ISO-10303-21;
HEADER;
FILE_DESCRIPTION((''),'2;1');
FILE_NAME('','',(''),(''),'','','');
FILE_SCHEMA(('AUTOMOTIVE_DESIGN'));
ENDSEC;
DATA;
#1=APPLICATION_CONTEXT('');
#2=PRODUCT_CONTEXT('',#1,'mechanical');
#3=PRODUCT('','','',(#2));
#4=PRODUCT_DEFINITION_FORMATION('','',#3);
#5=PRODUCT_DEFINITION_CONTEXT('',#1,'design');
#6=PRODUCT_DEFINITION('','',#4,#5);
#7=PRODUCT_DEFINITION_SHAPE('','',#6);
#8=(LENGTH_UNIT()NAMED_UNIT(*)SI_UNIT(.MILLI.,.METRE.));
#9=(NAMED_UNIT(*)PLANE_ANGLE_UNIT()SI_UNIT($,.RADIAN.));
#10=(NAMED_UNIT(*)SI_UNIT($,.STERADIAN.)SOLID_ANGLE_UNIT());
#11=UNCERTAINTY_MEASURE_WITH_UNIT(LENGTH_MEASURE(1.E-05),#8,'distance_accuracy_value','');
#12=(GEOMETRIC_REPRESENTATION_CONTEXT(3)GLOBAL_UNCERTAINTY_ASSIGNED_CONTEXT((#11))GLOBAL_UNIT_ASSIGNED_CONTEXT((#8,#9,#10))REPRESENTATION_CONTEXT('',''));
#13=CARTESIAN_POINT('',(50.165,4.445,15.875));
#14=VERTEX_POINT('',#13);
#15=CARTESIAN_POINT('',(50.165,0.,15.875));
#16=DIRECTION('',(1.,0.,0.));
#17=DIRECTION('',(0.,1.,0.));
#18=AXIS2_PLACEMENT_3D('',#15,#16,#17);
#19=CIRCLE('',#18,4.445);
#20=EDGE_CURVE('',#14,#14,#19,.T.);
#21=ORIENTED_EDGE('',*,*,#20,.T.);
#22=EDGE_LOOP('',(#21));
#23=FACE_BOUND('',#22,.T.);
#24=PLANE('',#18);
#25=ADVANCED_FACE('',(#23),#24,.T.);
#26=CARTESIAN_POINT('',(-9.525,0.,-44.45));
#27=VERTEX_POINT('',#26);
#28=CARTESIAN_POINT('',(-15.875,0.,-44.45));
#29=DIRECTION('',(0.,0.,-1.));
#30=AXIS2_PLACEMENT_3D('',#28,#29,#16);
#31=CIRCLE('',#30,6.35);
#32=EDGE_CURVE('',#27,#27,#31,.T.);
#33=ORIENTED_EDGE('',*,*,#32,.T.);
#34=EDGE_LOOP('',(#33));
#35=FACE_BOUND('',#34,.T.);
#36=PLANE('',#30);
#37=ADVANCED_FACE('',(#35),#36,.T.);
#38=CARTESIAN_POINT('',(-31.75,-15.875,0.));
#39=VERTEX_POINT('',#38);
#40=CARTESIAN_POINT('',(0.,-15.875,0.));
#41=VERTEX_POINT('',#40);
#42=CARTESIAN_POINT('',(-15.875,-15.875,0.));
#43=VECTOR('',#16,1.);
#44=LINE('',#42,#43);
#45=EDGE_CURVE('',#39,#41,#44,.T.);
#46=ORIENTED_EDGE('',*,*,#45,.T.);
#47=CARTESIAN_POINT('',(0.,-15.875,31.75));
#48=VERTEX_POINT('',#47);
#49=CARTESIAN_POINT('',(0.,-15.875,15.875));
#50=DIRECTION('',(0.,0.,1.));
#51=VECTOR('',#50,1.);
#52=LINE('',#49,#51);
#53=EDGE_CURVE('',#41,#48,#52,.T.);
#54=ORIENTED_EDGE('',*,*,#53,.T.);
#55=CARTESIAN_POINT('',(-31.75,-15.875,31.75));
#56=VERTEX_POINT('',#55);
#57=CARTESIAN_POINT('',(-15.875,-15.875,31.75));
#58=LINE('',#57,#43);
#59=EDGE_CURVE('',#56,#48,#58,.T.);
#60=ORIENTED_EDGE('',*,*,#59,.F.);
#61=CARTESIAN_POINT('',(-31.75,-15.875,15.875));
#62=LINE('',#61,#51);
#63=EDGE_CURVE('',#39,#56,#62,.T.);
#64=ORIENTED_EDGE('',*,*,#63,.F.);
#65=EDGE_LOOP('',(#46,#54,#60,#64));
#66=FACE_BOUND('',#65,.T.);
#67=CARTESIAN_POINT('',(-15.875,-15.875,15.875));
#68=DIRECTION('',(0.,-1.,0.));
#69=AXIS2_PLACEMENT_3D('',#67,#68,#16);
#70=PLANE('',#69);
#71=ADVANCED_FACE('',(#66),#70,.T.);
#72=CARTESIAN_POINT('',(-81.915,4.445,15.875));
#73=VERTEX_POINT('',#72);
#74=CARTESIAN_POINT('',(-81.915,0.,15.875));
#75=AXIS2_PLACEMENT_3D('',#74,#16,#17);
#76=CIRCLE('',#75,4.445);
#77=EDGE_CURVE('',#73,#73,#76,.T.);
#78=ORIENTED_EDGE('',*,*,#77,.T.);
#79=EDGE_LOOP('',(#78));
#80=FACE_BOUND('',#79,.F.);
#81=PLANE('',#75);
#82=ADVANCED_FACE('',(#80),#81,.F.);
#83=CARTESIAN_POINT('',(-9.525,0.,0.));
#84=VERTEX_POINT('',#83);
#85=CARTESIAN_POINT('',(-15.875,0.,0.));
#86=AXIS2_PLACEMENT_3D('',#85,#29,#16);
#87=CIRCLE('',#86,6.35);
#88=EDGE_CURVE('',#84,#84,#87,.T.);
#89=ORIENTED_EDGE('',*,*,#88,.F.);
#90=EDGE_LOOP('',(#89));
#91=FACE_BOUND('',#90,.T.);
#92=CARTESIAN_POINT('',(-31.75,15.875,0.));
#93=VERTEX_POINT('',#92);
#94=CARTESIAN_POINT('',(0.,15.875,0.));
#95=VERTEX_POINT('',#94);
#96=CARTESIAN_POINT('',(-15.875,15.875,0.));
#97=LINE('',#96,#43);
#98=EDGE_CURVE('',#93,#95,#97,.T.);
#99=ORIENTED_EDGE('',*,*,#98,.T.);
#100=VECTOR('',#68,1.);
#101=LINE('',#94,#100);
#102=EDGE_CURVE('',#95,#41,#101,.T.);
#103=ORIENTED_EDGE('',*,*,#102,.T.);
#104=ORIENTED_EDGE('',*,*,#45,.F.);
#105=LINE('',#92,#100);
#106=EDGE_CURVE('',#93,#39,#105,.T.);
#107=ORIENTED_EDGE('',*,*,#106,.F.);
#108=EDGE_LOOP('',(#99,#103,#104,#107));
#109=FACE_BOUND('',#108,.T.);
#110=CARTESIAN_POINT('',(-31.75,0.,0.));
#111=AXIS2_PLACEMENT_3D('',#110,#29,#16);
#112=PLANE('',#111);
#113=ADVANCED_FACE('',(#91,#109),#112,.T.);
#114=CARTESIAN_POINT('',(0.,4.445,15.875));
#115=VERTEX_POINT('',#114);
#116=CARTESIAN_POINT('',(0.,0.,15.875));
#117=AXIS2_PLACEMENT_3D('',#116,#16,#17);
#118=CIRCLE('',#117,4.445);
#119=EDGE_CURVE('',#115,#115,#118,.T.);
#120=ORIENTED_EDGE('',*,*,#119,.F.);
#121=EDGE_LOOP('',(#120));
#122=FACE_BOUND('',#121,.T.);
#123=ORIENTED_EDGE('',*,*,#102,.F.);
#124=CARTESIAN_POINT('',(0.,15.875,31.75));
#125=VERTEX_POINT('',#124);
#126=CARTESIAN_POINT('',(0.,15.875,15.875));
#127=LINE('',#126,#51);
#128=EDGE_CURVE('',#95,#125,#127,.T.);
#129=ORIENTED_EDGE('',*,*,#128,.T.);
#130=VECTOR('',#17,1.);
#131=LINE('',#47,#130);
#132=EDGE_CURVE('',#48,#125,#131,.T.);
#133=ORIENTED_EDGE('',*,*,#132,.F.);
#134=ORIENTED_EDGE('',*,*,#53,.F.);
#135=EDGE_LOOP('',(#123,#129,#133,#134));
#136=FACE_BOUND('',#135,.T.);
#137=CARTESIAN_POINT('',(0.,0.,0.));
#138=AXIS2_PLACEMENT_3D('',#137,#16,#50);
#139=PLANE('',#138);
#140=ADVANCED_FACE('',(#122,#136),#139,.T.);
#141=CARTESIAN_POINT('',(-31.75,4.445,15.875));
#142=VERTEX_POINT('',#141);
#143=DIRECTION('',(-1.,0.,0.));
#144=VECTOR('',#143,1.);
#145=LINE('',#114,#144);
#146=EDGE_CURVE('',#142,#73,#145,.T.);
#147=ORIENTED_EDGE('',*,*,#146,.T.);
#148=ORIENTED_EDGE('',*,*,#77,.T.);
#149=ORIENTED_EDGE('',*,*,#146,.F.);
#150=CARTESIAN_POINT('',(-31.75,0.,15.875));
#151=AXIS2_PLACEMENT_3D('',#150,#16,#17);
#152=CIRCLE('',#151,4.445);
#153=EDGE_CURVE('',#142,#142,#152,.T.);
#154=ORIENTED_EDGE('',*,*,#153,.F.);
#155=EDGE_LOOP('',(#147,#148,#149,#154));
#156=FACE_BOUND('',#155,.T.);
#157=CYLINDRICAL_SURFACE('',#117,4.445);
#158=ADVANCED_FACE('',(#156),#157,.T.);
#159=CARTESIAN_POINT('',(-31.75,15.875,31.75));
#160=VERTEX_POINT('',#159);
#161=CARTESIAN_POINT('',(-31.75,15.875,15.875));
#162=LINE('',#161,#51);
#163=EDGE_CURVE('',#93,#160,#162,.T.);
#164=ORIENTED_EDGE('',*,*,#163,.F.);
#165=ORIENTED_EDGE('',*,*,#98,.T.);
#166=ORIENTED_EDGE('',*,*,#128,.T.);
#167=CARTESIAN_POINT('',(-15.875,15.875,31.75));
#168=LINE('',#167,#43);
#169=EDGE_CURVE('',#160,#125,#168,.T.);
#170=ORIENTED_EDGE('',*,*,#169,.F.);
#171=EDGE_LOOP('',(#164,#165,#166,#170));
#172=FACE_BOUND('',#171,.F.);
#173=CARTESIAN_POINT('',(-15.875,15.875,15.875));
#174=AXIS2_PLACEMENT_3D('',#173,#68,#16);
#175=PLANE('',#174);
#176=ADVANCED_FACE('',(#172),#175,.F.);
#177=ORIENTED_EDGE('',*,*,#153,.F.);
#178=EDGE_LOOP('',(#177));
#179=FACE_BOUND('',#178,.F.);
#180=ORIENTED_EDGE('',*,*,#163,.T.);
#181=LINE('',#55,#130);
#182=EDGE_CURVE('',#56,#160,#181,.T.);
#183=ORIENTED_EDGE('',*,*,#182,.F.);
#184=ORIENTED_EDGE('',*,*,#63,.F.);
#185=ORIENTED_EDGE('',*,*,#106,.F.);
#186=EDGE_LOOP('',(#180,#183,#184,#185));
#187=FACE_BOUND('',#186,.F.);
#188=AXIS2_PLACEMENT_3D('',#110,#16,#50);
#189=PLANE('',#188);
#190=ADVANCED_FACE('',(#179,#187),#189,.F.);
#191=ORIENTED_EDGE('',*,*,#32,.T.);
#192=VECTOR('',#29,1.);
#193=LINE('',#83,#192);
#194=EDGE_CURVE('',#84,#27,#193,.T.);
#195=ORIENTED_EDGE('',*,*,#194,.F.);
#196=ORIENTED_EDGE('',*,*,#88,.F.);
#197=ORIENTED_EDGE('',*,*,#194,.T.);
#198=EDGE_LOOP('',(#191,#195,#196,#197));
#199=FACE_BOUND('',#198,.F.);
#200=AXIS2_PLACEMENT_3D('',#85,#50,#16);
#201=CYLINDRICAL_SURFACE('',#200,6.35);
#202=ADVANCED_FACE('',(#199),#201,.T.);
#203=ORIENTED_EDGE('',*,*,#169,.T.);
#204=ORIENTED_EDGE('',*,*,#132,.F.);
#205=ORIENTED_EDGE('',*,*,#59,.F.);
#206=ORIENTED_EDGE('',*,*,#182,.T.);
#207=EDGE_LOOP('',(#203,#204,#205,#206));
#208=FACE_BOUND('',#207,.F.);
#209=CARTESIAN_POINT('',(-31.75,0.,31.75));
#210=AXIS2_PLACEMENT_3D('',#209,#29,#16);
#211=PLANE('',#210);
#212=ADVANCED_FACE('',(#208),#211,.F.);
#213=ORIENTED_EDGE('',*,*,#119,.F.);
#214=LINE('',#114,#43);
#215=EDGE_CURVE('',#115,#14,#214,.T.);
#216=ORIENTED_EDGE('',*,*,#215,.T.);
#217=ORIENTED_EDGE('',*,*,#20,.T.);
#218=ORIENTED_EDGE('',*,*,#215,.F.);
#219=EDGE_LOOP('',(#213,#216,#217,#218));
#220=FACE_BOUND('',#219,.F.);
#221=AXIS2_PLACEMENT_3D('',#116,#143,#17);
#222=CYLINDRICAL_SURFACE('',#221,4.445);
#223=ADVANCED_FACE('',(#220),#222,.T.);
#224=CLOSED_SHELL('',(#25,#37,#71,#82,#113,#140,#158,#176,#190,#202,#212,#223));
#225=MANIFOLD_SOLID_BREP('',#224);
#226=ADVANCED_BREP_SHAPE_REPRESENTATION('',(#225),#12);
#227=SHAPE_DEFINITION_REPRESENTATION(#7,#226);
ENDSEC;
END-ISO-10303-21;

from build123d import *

# Parameters (mm, degrees)
F0_W          = 31.75
F0_H          = 31.75
F1_DEPTH      = 15.875
F2_R          = 4.445
F3_DEPTH      = 50.165
F3_DEPTH_BACK = 81.915
F4_R          = 6.35
F5_DEPTH      = 44.45


with BuildPart() as f1:
    # F0 (on Front) → F1 (new body, symmetric)
    with BuildSketch(Plane.XZ):
        with Locations((-15.875, 15.875)):
            Rectangle(F0_W, F0_H)
    extrude(amount=F1_DEPTH, both=True)

    # F2 (on face) → F3 (join, two sides)
    with BuildSketch(Plane.YZ) as f3_sk:
        with Locations((0, 15.875)):
            Circle(F2_R)
    extrude(amount=F3_DEPTH)
    extrude(f3_sk.sketch, amount=-F3_DEPTH_BACK)

    # F4 (on face) → F5 (join)
    with BuildSketch(Plane(origin=(0, 0, 0), x_dir=(1, 0, 0), z_dir=(0, 0, -1))):
        with Locations((-15.875, 0)):
            Circle(F4_R)
    extrude(amount=F5_DEPTH)


solid = f1.part
